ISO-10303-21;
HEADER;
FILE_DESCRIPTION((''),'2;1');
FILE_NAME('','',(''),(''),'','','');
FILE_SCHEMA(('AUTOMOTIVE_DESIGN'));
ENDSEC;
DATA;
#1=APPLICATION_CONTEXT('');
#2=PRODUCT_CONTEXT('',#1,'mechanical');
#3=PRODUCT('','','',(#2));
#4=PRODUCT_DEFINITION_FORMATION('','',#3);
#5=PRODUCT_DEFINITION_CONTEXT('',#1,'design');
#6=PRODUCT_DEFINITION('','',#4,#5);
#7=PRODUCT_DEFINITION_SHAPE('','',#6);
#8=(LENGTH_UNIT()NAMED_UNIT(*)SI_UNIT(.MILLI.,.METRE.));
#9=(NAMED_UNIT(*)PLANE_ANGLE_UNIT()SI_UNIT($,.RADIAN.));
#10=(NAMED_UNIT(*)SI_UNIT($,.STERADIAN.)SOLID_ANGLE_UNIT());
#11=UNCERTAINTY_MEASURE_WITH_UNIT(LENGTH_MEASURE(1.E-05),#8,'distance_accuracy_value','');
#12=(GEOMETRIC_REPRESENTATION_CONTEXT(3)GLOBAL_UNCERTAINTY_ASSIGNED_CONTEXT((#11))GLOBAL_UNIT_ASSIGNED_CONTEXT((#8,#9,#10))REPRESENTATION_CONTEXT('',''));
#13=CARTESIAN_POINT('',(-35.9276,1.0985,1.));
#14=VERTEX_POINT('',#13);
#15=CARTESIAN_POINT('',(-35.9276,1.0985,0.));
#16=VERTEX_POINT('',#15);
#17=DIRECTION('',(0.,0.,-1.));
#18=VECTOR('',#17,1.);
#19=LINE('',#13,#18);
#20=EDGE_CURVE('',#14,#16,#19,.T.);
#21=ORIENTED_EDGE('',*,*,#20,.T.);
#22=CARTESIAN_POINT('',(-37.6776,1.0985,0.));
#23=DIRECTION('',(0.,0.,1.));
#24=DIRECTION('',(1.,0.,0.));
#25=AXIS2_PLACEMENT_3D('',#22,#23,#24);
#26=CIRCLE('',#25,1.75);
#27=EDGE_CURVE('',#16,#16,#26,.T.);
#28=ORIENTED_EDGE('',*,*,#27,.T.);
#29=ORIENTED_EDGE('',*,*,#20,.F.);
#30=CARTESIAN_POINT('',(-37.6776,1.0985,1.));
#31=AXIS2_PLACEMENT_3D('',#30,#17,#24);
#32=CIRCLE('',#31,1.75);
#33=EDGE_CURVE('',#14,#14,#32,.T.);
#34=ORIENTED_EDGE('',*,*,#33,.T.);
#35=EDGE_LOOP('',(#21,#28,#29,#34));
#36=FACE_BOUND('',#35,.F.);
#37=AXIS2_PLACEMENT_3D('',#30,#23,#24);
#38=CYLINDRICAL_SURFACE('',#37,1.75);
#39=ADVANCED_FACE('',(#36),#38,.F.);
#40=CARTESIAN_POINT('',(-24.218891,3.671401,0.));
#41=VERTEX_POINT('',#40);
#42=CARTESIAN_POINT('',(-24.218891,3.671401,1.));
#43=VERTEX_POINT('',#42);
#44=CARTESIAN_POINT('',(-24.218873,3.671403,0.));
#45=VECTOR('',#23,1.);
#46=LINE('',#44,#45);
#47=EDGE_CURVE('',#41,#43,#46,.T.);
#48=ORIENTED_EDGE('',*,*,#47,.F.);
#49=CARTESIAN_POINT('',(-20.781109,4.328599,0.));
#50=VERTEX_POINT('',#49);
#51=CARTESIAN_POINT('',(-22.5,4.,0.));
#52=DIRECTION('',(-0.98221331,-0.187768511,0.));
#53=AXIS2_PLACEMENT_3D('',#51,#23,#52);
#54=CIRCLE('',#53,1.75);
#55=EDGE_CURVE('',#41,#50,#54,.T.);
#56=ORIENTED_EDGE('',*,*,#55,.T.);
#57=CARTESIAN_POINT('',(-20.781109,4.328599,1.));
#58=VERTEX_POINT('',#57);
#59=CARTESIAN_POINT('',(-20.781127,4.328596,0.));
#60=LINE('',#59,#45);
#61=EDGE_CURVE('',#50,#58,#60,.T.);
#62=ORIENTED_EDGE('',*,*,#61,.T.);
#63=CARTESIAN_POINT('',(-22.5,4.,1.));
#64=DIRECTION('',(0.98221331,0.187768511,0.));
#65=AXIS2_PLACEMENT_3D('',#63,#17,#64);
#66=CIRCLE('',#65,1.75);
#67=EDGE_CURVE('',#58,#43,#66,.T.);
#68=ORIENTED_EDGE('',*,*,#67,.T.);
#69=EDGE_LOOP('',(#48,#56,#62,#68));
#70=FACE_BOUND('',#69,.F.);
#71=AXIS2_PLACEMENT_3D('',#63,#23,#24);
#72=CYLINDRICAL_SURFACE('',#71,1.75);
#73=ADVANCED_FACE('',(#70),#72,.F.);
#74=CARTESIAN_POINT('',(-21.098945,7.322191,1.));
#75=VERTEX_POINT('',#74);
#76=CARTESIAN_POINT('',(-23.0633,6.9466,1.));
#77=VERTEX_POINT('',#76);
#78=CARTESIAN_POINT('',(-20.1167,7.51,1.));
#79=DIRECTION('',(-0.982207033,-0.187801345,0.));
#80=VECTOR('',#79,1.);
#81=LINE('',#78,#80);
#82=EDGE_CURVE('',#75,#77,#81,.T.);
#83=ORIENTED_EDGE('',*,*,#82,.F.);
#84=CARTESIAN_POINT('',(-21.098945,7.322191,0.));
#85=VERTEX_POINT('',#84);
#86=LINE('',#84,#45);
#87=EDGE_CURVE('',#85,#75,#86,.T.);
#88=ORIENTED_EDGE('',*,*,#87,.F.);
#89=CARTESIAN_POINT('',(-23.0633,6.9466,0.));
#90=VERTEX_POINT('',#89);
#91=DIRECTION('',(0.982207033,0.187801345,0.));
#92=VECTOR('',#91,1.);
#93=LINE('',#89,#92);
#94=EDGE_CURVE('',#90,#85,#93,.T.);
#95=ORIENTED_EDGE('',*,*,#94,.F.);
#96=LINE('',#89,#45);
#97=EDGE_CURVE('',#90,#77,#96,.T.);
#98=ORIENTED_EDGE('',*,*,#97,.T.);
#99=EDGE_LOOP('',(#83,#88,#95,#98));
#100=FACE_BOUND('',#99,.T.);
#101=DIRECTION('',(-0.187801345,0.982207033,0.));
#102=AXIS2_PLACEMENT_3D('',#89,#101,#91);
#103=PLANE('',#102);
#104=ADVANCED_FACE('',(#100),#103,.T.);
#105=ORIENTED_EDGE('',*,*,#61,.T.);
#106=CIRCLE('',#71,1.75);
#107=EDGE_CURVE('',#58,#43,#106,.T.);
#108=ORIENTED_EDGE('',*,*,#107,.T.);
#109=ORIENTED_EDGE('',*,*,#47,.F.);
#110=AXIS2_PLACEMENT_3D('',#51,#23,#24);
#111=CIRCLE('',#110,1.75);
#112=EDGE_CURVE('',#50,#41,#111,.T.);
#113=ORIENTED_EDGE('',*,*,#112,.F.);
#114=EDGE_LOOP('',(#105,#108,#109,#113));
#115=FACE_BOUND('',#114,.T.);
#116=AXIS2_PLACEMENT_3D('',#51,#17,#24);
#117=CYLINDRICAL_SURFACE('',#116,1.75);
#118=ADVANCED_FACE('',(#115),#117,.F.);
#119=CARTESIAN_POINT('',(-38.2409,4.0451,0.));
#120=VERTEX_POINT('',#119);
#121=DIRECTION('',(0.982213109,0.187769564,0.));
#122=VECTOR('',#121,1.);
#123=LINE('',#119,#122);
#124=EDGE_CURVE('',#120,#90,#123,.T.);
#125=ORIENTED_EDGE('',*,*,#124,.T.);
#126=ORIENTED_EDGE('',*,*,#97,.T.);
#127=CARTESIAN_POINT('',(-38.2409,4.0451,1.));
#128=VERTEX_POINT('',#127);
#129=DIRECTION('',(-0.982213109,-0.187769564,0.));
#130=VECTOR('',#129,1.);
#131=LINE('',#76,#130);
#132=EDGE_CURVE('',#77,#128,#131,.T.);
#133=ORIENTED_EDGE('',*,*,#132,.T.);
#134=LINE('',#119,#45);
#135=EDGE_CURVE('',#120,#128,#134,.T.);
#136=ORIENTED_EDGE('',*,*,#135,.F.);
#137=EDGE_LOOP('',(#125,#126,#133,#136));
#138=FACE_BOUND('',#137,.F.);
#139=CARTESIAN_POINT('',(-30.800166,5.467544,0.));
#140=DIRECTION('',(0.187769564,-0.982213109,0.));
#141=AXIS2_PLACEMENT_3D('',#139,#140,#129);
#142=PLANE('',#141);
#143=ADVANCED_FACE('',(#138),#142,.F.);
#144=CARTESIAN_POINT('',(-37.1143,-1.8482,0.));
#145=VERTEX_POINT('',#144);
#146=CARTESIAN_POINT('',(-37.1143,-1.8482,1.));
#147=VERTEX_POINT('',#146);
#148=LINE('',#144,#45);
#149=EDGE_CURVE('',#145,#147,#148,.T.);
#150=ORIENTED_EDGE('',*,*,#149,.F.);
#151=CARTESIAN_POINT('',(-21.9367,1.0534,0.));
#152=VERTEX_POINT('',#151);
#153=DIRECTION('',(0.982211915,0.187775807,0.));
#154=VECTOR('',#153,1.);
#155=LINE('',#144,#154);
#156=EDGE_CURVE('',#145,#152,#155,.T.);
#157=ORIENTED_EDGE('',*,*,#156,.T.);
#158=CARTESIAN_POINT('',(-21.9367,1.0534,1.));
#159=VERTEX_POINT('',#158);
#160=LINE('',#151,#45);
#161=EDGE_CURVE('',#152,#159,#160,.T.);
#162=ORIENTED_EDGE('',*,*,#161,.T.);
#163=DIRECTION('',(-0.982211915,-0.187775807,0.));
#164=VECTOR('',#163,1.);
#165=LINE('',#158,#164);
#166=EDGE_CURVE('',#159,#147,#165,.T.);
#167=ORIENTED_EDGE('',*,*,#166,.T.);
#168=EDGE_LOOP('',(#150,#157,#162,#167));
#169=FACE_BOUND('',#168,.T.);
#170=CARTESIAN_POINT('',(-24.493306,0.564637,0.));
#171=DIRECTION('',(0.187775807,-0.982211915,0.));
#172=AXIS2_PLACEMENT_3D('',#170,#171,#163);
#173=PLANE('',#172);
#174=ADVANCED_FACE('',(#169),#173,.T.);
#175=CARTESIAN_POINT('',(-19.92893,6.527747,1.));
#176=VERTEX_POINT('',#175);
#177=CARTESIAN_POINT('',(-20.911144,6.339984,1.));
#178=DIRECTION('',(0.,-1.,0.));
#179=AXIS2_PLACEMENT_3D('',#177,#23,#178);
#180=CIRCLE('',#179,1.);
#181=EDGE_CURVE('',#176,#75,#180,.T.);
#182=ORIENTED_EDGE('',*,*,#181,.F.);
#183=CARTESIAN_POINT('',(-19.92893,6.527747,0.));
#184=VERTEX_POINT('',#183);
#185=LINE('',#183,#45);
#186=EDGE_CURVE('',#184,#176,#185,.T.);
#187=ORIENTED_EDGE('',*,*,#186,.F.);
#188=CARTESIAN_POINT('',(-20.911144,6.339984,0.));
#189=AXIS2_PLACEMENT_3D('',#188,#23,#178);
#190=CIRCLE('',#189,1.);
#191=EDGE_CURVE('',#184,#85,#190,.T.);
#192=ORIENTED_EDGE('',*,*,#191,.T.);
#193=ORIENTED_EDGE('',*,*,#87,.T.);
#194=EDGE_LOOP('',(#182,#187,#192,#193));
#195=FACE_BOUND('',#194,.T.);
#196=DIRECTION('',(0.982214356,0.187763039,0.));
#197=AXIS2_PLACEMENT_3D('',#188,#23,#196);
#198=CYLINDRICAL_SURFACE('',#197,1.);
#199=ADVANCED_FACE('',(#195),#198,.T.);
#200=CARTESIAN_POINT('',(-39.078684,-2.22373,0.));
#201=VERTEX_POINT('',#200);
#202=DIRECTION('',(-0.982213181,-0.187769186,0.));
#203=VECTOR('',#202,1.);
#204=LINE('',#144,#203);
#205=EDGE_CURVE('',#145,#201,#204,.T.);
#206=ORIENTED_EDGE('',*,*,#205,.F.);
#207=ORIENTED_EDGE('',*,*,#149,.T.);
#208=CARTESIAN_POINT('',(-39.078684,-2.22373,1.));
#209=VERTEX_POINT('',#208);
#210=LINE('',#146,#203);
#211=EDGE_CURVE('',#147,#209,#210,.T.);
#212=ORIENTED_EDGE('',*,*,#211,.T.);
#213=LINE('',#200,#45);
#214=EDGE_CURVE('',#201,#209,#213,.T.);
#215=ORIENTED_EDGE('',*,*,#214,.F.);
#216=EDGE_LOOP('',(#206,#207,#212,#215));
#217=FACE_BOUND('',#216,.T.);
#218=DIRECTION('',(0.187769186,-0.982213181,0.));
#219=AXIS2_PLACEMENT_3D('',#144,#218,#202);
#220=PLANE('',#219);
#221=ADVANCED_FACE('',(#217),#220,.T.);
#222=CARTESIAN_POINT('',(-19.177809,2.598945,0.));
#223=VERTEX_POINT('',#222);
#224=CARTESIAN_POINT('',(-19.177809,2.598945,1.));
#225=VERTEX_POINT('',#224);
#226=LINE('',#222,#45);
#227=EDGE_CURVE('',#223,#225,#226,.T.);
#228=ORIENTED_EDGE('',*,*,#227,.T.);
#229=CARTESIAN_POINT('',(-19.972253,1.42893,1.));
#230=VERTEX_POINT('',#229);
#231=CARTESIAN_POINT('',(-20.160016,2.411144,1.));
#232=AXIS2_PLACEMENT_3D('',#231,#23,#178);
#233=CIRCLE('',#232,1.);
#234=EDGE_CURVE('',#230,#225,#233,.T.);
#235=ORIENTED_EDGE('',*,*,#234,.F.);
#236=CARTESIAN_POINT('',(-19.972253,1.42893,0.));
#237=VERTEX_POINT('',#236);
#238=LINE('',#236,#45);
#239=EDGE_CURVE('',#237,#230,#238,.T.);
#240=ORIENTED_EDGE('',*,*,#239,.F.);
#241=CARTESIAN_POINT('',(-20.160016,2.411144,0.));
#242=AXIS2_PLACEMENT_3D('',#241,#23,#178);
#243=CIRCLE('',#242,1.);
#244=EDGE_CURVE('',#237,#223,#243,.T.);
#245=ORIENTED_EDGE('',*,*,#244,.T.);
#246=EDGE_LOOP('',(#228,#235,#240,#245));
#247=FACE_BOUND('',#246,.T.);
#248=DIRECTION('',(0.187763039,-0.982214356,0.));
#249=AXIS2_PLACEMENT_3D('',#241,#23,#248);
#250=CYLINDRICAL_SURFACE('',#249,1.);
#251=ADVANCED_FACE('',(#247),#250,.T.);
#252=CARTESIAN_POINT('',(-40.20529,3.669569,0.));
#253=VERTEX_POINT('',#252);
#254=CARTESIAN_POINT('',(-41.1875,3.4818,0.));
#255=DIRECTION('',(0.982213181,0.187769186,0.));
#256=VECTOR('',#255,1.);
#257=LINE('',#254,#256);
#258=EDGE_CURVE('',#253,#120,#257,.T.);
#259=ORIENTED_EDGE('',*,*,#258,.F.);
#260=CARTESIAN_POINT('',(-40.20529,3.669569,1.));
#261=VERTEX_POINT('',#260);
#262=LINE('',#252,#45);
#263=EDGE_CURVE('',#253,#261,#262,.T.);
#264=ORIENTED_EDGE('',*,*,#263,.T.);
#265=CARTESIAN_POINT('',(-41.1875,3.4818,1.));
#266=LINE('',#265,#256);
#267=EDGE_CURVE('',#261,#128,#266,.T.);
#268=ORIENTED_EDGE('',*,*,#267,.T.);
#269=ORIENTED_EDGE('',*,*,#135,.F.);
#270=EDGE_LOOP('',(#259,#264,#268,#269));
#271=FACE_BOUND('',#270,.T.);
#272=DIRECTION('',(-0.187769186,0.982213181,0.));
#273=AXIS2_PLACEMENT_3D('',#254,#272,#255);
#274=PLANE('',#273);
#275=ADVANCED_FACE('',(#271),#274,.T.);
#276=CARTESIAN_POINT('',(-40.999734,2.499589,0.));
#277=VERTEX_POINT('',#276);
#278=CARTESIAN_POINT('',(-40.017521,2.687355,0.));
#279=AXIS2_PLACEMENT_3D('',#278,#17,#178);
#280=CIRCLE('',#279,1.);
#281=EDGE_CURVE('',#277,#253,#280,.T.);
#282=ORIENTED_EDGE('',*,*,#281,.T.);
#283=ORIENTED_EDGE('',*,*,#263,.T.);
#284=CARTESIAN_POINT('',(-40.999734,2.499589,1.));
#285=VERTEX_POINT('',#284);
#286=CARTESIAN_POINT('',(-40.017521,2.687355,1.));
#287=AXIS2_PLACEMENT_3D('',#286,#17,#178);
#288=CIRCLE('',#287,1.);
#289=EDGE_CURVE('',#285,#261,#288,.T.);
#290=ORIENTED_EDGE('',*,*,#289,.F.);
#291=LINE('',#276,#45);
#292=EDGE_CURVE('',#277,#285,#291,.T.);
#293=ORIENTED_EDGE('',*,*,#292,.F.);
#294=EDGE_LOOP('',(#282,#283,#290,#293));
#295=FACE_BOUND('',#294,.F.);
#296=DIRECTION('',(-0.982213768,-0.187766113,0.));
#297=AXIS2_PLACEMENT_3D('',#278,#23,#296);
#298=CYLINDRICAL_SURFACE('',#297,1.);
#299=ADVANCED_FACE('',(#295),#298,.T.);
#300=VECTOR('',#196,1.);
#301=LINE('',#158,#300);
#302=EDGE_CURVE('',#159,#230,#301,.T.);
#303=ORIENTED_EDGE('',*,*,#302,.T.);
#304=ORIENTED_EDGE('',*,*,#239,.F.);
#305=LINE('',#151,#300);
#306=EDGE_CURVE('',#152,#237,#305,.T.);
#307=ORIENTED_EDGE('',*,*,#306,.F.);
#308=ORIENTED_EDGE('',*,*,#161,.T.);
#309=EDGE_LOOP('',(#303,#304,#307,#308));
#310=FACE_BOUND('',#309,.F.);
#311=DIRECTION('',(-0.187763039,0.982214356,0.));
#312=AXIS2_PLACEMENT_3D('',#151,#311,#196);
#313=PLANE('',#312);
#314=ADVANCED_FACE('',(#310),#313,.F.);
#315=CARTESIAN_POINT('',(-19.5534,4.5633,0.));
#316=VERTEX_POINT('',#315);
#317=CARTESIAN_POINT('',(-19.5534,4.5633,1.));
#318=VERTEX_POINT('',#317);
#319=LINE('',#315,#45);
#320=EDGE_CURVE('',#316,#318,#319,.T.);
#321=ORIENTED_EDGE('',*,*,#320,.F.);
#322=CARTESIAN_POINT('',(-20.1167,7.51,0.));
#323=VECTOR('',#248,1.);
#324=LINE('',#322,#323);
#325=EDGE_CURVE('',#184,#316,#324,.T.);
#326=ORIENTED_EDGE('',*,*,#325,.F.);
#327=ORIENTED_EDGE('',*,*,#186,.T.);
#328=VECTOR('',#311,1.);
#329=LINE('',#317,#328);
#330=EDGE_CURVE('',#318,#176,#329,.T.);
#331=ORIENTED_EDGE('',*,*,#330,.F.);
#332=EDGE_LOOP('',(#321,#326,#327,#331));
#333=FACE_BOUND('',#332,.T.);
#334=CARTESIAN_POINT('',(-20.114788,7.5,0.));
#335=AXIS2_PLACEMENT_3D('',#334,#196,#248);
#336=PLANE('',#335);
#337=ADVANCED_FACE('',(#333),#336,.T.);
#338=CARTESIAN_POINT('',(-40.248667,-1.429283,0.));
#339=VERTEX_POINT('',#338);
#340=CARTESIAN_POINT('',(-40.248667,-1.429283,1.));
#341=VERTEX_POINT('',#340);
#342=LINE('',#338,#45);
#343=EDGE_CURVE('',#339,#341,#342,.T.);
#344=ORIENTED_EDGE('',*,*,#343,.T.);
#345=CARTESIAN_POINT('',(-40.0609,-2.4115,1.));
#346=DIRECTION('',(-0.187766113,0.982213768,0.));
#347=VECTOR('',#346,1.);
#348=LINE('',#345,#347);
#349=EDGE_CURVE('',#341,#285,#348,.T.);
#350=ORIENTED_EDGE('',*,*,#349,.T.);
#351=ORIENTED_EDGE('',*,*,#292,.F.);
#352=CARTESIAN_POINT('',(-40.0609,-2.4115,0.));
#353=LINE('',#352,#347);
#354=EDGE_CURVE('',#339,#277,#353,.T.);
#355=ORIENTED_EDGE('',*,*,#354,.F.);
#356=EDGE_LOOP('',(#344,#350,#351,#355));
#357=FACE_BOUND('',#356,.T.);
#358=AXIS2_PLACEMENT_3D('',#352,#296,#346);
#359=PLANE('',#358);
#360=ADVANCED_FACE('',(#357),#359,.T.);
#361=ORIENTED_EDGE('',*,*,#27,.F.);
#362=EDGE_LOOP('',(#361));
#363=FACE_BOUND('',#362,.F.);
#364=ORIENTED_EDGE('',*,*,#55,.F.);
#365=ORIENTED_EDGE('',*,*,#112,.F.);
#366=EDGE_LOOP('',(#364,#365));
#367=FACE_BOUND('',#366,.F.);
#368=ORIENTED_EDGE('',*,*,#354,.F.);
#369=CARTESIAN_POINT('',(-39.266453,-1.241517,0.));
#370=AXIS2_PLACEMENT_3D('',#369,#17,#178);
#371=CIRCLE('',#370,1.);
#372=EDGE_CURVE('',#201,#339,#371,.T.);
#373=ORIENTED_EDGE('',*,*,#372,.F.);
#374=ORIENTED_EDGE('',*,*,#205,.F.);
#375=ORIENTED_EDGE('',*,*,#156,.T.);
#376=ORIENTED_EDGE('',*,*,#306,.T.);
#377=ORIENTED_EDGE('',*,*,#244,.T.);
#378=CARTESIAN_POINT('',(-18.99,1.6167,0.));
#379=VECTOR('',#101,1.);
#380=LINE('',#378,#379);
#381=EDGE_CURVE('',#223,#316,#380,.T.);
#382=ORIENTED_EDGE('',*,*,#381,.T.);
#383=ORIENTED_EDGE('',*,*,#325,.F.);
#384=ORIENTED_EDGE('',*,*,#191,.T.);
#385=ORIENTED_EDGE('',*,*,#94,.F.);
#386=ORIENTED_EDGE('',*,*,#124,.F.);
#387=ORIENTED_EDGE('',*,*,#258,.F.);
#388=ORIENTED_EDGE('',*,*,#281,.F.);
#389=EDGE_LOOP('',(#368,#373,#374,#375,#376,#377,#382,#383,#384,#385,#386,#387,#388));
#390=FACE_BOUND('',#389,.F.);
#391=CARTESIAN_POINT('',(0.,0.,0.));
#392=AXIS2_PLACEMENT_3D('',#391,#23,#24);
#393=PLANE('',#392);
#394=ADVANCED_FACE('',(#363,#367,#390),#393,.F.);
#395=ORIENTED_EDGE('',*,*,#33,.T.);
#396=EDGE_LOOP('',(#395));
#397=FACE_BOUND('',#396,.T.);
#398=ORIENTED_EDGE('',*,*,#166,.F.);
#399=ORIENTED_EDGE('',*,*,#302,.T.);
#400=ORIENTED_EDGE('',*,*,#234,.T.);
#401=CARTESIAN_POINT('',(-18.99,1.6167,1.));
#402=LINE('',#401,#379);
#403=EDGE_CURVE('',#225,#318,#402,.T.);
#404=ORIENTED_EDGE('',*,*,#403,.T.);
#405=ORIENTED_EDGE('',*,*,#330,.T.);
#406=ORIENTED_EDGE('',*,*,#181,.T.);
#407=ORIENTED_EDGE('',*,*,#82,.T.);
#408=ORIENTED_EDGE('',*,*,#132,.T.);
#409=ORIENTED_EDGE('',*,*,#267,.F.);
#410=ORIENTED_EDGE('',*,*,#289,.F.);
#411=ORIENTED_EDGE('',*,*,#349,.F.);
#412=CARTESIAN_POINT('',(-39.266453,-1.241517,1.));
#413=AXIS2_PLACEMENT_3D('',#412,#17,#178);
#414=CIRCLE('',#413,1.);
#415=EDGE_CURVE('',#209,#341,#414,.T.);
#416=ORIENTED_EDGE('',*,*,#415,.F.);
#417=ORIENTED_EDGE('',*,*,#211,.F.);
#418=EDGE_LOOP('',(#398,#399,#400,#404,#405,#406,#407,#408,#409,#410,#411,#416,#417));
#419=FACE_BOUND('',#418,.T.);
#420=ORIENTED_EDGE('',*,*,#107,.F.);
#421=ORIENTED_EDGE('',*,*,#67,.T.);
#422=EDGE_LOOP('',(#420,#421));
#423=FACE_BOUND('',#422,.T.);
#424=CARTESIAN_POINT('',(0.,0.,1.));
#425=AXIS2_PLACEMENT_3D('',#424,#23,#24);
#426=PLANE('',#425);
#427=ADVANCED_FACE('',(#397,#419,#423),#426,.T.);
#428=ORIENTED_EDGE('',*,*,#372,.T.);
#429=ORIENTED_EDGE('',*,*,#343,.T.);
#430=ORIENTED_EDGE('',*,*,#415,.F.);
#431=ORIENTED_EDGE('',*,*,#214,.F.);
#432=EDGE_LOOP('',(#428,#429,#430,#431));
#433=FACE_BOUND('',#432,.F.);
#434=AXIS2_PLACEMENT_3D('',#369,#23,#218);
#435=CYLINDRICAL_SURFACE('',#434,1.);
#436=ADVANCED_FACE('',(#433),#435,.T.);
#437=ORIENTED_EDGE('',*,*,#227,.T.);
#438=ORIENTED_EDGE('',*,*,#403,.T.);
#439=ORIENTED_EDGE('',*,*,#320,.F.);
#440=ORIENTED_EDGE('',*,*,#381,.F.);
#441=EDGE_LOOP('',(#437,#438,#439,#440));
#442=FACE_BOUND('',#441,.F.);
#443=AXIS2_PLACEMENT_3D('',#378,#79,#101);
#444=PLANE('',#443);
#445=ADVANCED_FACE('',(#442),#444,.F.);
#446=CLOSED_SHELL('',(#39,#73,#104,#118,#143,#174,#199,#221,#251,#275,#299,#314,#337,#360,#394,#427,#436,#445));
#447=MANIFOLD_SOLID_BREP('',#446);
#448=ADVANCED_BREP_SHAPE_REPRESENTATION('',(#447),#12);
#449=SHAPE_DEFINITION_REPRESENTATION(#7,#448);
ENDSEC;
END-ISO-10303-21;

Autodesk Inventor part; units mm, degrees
ref_plane "YZ Plane" through (0, 0, 0) normal (1, 0, 0) x (0, 1, 0)
ref_plane "XZ Plane" through (0, 0, 0) normal (0, 1, 0) x (-1, 0, 0)
ref_plane "XY Plane" through (0, 0, 0) normal (0, 0, 1) x (1, 0, 0)
sketch "Sketch1" plane through (0, 0, 0) normal (0, 0, 1) x (1, 0, 0)
  line L0 (-12.5, -2.5) -> (-12.5, 2.5) projected
  line L1 (-12.5, 2.5) -> (-17.5, 2.5) projected
  line L2 (-17.5, 2.5) -> (-17.5, 7.5) projected
  line L3 (-32.5, 7.5) -> (-17.5, 7.5) projected
  arc A0 (-32.5, 7.5) -> (-12.5, -2.5) centre (-12.5, 22.5) ccw projected
  circle A1 centre (-22.5, 4) radius 1.75
  circle A2 centre (-37.6776, 1.0985) radius 1.75
  line L4 (-22.5, 4) -> (-37.6776, 1.0985)
  line L5 (-22.5, 4) -> (-21.7788, 0.2278)
  line L6 (-22.5, 4) -> (-21.9367, 1.0534)
  line L7 (-37.6776, 1.0985) -> (-37.1143, -1.8482)
  line L8 (-21.9367, 1.0534) -> (-37.1143, -1.8482)
  line L9 (-22.5, 4) -> (-19.5534, 4.5633)
  line L10 (-21.9367, 1.0534) -> (-18.99, 1.6167)
  line L11 (-18.99, 1.6167) -> (-19.5534, 4.5633)
  line L12 (-37.6776, 1.0985) -> (-38.2409, 4.0451)
  line L13 (-23.0633, 6.9466) -> (-38.2409, 4.0451)
  line L14 (-23.0633, 6.9466) -> (-20.1167, 7.51)
  line L15 (-20.1167, 7.51) -> (-19.5534, 4.5633)
  line L16 (-37.1143, -1.8482) -> (-40.0609, -2.4115)
  line L17 (-40.0609, -2.4115) -> (-41.1875, 3.4818)
  line L18 (-41.1875, 3.4818) -> (-38.2409, 4.0451)
  line L19 (-18.99, 1.6167) -> (-40.0609, -2.4115)
  line L20 (-40.0609, -2.4115) -> (-41.1875, 3.4818)
  line L21 (-41.1875, 3.4818) -> (-20.1167, 7.51)
  point P0 (0, 0)
  dimension "d0" = 3.5
  dimension "d1" = 3.5
  dimension "d2" = 90
  dimension "d3" = 3
  dimension "d4" = 3
  dimension "d5" = 180
  dimension "d6" = 3
extrude "Extrusion1" add sketch "Sketch1" along normal blind 1 contours L8 L7 A2 L4 A0 | A0 L4 A1 L5 L8 | L4 A2 L12 L13 A0 | A0 L13 L14 L3 L15 L9 A1 L4 | L5 A1 L9 L11 L10 | L16 L17 L18 L12 A2 L7 | L4 L5 A1 | L4 L12 A2 | A2 L7 L4 | L5 L9 A1 | A2 L12 L7 | L3 L14 L15
sketch "Sketch2" plane through (0, 0, 1) normal (0, 0, 1) x (1, 0, 0)
  arc A0 (-20.7811, 4.3286) -> (-24.2189, 3.6714) centre (-22.5, 4) ccw projected
  line L0 (-68.111, -8.1624) -> (-72.0972, 25.6031) projected
  line L1 (-29.38, -3.59) -> (-68.111, -8.1624) projected
  line L2 (-33.3662, 30.1755) -> (-29.38, -3.59) projected
  line L3 (-72.0972, 25.6031) -> (-33.3662, 30.1755) projected
  line L4 (-24.2189, 3.6714) -> (-20.7811, 4.3286) projected
  circle A1 centre (-22.5, 4) radius 1.75
  line L5 (-37.6776, 1.0985) -> (-35.9587, 1.4271) projected
  circle A2 centre (-37.6776, 1.0985) radius 1.75
  point P0 (0, 0)
extrude "Extrusion2" cut sketch "Sketch2" against normal blind 1 contours L4 A0 | A1 L4 | A2
fillet "Fillet1" radius 1 4 edges at (-40.0609, -2.4115, 0.5) (-41.1875, 3.4818, 0.5) (-18.99, 1.6167, 0.5) (-20.1167, 7.51, 0.5)
properties part number "LeverArm"
